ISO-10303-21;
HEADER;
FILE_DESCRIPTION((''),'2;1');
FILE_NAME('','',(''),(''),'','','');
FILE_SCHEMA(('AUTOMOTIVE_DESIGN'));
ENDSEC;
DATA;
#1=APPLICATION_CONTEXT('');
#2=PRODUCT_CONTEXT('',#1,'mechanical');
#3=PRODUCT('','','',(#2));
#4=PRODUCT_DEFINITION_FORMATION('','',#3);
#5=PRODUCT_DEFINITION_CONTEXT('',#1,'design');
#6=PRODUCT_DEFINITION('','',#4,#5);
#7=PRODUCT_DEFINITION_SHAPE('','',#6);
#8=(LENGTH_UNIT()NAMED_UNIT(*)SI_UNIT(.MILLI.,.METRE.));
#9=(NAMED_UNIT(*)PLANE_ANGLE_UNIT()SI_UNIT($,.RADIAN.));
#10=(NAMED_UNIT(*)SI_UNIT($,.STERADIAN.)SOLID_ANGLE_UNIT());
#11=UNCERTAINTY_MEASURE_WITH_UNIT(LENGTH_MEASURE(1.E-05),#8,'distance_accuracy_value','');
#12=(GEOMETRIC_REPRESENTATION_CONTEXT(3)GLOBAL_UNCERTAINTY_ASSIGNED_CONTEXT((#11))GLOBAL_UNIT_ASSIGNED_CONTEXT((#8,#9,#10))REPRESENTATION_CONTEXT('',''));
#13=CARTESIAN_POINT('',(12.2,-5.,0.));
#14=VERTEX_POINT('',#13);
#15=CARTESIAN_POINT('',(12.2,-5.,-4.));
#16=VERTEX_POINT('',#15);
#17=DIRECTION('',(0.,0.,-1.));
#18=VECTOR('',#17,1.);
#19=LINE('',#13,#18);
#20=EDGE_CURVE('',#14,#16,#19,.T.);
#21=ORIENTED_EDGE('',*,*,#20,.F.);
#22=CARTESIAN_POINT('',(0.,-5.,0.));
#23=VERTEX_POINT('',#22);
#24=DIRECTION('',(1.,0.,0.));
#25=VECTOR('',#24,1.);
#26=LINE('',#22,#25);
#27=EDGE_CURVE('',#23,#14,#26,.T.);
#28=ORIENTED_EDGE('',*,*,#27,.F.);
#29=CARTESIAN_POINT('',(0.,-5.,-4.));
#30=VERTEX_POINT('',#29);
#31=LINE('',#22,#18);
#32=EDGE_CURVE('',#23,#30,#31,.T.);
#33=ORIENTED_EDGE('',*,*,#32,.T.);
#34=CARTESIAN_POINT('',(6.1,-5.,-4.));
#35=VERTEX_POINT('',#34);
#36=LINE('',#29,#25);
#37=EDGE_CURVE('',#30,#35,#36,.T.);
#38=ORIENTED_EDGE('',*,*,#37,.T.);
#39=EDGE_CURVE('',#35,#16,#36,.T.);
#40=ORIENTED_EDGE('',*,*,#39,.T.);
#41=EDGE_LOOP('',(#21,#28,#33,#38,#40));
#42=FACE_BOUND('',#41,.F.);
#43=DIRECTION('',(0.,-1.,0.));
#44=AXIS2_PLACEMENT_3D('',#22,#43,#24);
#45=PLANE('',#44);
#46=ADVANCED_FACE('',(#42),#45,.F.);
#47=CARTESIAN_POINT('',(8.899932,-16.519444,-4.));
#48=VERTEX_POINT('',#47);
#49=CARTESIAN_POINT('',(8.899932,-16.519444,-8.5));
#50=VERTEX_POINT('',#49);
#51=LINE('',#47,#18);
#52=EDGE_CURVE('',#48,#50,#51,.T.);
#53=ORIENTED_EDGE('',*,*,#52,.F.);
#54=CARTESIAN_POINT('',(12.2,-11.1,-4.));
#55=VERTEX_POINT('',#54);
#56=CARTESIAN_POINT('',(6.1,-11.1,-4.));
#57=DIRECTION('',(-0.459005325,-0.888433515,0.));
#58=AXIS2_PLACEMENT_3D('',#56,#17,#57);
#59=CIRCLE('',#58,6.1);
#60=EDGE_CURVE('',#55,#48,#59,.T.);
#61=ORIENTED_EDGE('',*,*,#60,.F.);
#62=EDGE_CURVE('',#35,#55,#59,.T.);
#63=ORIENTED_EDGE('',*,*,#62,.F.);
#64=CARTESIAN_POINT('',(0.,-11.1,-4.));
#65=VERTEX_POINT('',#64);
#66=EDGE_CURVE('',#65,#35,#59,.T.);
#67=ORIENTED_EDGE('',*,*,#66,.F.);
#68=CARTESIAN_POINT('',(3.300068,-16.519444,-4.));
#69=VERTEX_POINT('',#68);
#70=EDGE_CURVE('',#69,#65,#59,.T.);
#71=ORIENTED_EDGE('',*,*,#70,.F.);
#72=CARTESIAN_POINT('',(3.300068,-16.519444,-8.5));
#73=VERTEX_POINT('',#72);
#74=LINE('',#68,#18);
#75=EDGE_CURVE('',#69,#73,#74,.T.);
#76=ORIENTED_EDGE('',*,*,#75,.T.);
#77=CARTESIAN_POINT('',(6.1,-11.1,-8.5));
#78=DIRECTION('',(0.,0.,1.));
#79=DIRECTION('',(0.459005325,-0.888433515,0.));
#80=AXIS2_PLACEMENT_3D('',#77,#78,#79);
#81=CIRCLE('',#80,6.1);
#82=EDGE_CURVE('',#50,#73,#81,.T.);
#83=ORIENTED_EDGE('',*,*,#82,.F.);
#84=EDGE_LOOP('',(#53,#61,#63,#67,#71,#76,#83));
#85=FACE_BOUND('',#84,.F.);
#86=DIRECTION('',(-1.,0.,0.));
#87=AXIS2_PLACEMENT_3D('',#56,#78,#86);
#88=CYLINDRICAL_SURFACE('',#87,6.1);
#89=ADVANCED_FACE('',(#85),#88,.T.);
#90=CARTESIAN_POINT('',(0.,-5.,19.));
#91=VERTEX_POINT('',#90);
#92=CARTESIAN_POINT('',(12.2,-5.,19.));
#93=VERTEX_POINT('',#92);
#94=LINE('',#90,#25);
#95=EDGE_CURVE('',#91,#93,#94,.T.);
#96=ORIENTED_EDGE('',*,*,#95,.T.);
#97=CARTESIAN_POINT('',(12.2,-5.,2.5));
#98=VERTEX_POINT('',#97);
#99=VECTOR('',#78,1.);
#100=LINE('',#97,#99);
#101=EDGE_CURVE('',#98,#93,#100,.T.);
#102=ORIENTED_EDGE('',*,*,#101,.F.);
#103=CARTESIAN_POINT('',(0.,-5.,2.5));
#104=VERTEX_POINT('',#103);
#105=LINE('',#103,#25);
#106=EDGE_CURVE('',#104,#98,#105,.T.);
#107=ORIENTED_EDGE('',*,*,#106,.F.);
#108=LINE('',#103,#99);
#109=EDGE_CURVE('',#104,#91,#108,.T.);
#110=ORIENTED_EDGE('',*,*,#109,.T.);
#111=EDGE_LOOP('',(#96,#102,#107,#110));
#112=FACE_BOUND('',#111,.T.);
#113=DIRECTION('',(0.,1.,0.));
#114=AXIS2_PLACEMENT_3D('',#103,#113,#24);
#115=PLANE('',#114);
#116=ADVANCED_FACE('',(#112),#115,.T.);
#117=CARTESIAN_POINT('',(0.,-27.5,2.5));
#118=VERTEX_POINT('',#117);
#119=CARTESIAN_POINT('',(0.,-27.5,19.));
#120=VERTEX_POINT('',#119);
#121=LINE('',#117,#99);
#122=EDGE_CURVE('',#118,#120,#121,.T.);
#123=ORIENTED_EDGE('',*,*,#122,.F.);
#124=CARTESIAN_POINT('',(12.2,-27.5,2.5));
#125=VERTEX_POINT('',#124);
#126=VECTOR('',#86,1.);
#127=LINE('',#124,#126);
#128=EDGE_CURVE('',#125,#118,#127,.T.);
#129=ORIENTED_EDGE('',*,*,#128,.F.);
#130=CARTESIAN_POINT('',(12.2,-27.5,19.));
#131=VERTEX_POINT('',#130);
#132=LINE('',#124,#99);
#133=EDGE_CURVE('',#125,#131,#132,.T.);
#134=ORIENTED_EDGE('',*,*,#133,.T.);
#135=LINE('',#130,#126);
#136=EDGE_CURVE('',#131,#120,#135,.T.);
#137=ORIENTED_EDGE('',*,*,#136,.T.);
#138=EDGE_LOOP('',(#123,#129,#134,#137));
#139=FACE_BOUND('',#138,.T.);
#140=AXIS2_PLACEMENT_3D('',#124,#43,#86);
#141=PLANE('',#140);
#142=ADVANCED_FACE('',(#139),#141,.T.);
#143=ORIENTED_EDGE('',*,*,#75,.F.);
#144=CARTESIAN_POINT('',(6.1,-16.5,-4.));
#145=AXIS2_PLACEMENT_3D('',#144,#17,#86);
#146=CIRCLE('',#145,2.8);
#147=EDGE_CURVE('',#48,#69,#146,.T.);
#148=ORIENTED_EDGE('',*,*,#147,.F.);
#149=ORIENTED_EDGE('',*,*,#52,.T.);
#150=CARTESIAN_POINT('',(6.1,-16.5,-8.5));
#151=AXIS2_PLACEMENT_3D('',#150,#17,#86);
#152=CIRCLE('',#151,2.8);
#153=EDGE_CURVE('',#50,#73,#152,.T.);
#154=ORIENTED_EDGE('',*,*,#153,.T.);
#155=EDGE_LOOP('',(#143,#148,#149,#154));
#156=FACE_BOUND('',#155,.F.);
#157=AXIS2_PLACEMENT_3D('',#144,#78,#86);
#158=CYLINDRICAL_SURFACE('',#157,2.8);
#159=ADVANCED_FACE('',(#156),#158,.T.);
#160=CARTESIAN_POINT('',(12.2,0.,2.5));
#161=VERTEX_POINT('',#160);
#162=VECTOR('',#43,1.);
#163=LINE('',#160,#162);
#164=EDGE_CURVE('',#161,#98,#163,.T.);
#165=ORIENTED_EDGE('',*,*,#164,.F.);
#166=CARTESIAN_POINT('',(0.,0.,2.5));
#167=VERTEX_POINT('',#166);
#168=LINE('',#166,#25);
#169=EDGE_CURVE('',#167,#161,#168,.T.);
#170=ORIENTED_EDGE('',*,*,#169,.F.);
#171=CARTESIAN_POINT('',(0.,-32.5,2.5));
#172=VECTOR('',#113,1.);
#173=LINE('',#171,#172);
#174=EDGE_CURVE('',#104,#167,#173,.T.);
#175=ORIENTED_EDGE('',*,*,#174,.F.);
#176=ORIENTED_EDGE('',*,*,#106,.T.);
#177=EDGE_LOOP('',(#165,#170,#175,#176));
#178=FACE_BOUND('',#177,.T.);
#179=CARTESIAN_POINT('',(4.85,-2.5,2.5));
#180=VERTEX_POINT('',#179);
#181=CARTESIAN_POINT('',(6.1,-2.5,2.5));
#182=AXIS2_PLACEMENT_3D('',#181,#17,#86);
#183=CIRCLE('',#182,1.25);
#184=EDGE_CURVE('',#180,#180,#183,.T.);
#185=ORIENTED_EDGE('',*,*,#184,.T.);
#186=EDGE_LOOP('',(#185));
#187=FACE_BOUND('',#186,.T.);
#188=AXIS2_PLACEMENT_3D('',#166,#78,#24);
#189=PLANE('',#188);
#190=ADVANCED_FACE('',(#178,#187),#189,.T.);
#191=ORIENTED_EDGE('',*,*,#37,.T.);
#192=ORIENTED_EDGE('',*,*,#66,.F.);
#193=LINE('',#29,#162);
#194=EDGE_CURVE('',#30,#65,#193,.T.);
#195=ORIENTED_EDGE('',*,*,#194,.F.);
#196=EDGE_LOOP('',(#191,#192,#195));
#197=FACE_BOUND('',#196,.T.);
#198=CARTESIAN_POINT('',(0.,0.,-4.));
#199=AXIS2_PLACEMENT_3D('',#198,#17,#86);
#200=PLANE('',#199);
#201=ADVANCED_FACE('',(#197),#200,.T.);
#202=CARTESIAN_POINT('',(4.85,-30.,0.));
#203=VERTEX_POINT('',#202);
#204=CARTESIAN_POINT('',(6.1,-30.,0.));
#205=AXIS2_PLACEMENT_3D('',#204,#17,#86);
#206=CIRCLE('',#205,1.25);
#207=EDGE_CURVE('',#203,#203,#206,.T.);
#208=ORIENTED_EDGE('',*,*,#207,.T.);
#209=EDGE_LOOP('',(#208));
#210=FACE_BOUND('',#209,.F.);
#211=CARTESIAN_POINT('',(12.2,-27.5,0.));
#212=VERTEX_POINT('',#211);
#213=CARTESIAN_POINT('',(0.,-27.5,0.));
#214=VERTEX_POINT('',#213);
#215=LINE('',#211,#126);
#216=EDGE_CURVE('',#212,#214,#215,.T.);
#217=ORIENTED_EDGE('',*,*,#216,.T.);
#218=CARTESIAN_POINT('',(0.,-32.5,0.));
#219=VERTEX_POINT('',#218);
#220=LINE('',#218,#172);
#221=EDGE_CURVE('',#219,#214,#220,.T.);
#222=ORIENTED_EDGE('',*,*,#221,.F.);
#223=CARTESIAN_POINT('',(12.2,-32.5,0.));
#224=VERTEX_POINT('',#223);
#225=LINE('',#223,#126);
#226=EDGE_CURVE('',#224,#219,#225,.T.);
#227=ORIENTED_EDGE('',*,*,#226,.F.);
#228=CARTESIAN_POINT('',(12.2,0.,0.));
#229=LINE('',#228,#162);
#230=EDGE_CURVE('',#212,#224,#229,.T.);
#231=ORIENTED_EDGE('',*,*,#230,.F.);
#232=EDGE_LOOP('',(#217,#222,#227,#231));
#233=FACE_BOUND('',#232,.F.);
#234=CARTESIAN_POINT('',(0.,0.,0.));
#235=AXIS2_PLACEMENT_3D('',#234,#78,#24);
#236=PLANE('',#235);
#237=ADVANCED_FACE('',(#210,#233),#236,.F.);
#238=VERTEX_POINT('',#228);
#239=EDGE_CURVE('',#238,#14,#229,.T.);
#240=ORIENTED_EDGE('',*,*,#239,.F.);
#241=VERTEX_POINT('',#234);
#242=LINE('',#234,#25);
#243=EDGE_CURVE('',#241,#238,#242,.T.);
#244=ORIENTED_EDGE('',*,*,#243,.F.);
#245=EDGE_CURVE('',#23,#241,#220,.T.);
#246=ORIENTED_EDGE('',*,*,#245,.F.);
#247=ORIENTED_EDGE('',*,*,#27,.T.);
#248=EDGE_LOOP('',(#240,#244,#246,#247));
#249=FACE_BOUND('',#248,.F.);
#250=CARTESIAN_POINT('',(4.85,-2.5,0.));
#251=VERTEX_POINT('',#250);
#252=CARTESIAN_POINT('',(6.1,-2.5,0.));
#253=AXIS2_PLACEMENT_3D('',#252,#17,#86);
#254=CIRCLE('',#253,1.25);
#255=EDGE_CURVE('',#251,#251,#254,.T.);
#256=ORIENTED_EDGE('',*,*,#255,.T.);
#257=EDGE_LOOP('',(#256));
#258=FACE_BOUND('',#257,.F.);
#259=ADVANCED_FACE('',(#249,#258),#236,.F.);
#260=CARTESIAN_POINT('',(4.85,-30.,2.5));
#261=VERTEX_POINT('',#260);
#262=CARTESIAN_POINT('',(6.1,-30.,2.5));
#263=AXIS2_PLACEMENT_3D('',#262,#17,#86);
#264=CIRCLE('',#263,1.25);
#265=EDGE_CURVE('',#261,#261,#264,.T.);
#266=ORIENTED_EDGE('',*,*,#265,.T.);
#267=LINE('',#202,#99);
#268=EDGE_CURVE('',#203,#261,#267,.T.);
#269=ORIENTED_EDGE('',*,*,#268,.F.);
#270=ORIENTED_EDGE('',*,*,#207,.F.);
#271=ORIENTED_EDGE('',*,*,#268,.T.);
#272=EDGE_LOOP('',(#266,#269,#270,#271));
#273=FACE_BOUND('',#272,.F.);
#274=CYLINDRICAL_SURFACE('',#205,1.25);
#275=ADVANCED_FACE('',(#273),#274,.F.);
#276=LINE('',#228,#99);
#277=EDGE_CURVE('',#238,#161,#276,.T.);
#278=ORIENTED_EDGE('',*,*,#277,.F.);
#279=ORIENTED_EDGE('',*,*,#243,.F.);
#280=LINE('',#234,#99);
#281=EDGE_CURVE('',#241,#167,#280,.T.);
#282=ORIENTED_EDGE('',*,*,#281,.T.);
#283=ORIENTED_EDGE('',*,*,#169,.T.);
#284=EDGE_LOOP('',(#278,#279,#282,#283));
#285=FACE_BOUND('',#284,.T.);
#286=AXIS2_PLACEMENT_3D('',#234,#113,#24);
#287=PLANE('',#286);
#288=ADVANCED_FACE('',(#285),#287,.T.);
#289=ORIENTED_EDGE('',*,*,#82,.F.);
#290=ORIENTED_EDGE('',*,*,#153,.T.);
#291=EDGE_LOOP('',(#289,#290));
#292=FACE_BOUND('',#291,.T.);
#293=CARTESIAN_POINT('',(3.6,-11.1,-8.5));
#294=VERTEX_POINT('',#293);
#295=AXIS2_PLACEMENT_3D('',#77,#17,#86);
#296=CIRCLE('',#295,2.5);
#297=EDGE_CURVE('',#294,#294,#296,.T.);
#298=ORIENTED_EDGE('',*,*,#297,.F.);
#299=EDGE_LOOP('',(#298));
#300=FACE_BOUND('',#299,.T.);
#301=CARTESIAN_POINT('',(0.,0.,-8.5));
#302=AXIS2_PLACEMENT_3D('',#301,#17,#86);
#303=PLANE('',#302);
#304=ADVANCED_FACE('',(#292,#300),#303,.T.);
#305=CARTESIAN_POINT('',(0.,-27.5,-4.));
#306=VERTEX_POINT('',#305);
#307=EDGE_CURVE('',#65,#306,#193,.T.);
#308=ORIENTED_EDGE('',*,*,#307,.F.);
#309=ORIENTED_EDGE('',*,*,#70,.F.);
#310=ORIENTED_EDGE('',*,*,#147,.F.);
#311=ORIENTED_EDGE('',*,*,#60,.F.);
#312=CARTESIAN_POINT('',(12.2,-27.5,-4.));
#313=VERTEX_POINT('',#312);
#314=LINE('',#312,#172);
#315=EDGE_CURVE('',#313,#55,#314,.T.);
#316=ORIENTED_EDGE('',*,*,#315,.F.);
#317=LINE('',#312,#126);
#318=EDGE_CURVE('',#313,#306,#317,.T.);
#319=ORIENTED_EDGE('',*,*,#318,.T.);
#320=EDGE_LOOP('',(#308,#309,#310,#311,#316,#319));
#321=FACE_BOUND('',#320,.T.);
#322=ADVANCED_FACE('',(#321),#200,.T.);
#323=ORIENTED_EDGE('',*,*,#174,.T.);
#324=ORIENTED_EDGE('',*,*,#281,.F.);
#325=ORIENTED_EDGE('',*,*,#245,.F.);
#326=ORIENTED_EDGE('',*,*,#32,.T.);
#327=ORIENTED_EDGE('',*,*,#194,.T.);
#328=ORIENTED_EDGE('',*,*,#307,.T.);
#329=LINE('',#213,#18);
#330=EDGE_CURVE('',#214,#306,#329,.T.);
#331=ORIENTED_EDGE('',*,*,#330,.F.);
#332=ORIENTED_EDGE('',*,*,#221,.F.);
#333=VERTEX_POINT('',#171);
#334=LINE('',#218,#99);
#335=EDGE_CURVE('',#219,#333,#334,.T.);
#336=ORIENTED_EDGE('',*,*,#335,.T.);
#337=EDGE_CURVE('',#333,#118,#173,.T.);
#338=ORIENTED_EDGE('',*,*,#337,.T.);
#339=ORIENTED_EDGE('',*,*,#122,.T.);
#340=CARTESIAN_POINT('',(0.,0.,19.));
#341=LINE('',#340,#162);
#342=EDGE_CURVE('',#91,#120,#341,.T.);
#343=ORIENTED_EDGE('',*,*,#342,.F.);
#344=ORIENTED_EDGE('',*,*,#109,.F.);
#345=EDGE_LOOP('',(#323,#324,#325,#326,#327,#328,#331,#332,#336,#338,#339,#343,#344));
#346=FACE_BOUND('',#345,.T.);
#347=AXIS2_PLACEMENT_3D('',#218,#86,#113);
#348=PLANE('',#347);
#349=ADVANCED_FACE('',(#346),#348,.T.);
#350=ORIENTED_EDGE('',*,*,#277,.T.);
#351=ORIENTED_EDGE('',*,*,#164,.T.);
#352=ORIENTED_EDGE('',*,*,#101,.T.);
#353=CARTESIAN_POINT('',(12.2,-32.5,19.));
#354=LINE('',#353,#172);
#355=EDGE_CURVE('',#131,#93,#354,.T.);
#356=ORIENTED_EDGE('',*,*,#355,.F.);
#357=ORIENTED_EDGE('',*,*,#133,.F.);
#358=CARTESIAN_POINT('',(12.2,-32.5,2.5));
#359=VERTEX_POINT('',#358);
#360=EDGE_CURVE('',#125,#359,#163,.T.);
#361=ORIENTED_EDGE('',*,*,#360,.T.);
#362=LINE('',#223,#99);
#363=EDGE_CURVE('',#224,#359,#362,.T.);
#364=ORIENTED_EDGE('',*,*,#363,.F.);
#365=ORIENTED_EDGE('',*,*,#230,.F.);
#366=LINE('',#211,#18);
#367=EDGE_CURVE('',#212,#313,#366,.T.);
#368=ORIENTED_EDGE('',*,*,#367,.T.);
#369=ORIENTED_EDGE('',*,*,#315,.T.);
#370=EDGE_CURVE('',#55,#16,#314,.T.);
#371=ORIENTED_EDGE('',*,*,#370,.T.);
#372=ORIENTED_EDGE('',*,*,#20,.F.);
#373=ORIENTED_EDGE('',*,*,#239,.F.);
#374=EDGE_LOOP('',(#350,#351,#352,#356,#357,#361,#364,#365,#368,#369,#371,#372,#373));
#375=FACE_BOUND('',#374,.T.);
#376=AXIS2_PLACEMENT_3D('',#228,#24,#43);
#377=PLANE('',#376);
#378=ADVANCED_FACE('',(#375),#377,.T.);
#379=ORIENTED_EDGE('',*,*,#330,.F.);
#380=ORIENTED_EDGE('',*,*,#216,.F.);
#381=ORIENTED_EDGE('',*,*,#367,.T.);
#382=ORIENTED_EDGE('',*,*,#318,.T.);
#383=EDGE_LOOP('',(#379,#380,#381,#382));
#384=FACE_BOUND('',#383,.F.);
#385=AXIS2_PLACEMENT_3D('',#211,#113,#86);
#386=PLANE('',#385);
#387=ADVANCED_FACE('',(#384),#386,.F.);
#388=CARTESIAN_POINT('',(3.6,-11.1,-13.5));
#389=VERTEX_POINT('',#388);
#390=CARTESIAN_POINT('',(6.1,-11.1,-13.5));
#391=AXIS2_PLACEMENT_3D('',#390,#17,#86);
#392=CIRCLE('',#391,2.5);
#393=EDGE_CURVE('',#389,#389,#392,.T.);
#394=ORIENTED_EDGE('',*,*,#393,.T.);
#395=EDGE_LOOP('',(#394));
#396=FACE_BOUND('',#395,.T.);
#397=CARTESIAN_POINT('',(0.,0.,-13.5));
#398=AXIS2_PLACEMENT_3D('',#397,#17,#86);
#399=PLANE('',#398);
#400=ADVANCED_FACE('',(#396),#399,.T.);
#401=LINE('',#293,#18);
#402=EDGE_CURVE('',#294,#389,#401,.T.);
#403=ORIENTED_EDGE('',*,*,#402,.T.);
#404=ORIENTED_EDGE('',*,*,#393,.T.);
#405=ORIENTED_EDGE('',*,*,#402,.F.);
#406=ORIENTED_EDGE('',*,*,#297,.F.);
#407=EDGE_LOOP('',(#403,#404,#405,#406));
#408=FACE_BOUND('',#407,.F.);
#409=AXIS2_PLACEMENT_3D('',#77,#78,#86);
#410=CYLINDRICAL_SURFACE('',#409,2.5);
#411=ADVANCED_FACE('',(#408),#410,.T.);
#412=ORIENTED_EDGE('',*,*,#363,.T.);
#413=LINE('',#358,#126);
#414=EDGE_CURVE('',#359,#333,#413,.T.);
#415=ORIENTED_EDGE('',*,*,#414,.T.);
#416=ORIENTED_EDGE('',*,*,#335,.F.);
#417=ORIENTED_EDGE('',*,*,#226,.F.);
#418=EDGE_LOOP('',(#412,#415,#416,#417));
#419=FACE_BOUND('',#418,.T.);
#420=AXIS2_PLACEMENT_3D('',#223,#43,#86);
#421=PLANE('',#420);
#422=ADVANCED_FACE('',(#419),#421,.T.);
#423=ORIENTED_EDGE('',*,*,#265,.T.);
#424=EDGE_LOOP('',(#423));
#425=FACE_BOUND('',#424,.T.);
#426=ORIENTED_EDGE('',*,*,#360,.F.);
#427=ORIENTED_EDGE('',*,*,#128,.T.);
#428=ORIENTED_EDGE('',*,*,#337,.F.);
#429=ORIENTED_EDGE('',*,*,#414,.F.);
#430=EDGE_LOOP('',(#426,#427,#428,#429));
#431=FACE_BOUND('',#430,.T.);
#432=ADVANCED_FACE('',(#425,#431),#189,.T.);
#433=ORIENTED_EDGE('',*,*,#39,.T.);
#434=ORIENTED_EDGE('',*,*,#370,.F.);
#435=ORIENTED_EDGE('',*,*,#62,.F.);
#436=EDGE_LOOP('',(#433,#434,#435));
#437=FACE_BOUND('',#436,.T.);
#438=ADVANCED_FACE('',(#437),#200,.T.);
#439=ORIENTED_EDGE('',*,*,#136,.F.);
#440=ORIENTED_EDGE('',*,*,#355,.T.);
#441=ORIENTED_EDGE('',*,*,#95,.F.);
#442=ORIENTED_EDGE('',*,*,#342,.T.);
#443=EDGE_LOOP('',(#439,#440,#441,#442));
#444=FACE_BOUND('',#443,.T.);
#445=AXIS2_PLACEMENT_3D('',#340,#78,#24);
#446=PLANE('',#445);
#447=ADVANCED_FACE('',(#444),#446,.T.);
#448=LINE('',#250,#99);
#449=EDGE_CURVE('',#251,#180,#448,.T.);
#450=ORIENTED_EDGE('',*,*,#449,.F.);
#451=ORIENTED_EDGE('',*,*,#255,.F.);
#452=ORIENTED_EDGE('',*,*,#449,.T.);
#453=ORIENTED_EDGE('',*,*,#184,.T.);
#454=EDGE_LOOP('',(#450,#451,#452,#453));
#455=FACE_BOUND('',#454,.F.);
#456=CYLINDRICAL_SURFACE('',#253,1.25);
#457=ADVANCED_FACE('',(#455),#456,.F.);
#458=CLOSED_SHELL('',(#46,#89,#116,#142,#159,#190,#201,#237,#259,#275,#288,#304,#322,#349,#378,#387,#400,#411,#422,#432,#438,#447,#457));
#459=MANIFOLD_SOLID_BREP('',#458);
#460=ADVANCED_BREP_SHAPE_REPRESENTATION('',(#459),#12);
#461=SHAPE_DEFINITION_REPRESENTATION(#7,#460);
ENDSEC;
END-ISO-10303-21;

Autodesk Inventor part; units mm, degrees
ref_plane "YZ Plane" through (0, 0, 0) normal (1, 0, 0) x (0, 1, 0)
ref_plane "XZ Plane" through (0, 0, 0) normal (0, 1, 0) x (-1, 0, 0)
ref_plane "XY Plane" through (0, 0, 0) normal (0, 0, 1) x (1, 0, 0)
sketch "Sketch3" plane through (0, 0, 0) normal (0, 0, 1) x (1, 0, 0)
  line L0 (0, 0) -> (12.2, 0)
  line L1 (12.2, 0) -> (12.2, -32.5)
  line L2 (12.2, -32.5) -> (0, -32.5)
  line L3 (0, -32.5) -> (0, 0)
  dimension "d11" = 12.2
  dimension "d12" = 32.5
extrude "Extrusion3" add sketch "Sketch3" along normal blind 2.5
sketch "Sketch4" plane through (0, 0, 2.5) normal (0, 0, 1) x (1, 0, 0)
  line L0 (0, 0) -> (0, -32.5) projected
  line L1 (12.2, -32.5) -> (12.2, 0) projected
  line L2 (0, -5) -> (12.2, -5)
  line L3 (12.2, -5) -> (12.2, -27.5)
  line L4 (12.2, -27.5) -> (0, -27.5)
  line L5 (0, -27.5) -> (0, -5)
  line L6 (12.2, 0) -> (0, 0) projected
  dimension "d15" = 22.5
  dimension "d16" = 5
extrude "Extrusion4" add sketch "Sketch4" along normal blind 16.5 contours L2 L1 L4 L0
sketch "Sketch5" plane through (0, 0, 0) normal (0, 0, -1) x (-1, 0, 0)
  line L0 (0, -5) -> (-12.2, -5) projected
  line L1 (-12.2, -27.5) -> (0, -27.5) projected
  line L2 (-12.2, -5) -> (0, -5)
  line L3 (0, -5) -> (0, -27.5)
  line L4 (0, -27.5) -> (-12.2, -27.5)
  line L5 (-12.2, -27.5) -> (-12.2, -5)
  point P0 (0, 0)
extrude "Extrusion5" add sketch "Sketch5" along normal blind 4
sketch "Sketch6" plane through (0, 0, 0) normal (0, 0, -1) x (-1, 0, 0)
  circle A0 centre (-6.1, -2.5) radius 1.25
  circle A1 centre (-6.1, -30) radius 1.25
  line L0 (-12.2, -27.5) -> (0, -27.5) projected
  line L1 (-12.2, 0) -> (0, 0) projected
  line L2 (-12.2, -5) -> (-12.2, 0) projected
  line L3 (-12.2, -32.5) -> (-12.2, -27.5) projected
  dimension "d21" = 2.5
  dimension "d22" = 2.5
  dimension "d23" = 2.5
  dimension "d24" = 2.5
  dimension "d25" = 6.1
  dimension "d26" = 6.1
extrude "Extrusion6" cut sketch "Sketch6" against normal up to surface (2.5 mm away)
sketch "Sketch7" plane through (0, 0, -4) normal (0, 0, -1) x (-1, 0, 0)
  circle A0 centre (-6.1, -11.1) radius 6.1
  line L0 (0, -5) -> (0, -27.5) projected
  line L1 (0, -5) -> (-12.2, -5) projected
  circle A1 centre (-6.1, -16.5) radius 2.8
  line L2 (-12.2, -27.5) -> (0, -27.5) projected
  point P0 (0, 0)
  point P1 (-3.3001, -16.5194)
  point P2 (-8.8999, -16.5194)
  point P3 (-6.1, -5)
  point P4 (0, -11.1)
  dimension "d29" = 6.1
  dimension "d30" = 12.2
  dimension "d33" = 5.6
  dimension "d34" = 11
extrude "Extrusion7" add sketch "Sketch7" along normal blind 4.5 contours A0 A1 | A1 A0 | A0 A1
sketch "Sketch8" plane through (0, 0, -8.5) normal (0, 0, -1) x (-1, 0, 0)
  arc A0 (-6.1, -5) -> (-12.2, -11.1) centre (-6.1, -11.1) ccw projected
  circle A1 centre (-6.1, -11.1) radius 2.5
  point P0 (0, 0)
  dimension "d35" = 5
extrude "Extrusion8" add sketch "Sketch8" along normal blind 5
properties part number "servo_motor" material "Nylon 6/6"
